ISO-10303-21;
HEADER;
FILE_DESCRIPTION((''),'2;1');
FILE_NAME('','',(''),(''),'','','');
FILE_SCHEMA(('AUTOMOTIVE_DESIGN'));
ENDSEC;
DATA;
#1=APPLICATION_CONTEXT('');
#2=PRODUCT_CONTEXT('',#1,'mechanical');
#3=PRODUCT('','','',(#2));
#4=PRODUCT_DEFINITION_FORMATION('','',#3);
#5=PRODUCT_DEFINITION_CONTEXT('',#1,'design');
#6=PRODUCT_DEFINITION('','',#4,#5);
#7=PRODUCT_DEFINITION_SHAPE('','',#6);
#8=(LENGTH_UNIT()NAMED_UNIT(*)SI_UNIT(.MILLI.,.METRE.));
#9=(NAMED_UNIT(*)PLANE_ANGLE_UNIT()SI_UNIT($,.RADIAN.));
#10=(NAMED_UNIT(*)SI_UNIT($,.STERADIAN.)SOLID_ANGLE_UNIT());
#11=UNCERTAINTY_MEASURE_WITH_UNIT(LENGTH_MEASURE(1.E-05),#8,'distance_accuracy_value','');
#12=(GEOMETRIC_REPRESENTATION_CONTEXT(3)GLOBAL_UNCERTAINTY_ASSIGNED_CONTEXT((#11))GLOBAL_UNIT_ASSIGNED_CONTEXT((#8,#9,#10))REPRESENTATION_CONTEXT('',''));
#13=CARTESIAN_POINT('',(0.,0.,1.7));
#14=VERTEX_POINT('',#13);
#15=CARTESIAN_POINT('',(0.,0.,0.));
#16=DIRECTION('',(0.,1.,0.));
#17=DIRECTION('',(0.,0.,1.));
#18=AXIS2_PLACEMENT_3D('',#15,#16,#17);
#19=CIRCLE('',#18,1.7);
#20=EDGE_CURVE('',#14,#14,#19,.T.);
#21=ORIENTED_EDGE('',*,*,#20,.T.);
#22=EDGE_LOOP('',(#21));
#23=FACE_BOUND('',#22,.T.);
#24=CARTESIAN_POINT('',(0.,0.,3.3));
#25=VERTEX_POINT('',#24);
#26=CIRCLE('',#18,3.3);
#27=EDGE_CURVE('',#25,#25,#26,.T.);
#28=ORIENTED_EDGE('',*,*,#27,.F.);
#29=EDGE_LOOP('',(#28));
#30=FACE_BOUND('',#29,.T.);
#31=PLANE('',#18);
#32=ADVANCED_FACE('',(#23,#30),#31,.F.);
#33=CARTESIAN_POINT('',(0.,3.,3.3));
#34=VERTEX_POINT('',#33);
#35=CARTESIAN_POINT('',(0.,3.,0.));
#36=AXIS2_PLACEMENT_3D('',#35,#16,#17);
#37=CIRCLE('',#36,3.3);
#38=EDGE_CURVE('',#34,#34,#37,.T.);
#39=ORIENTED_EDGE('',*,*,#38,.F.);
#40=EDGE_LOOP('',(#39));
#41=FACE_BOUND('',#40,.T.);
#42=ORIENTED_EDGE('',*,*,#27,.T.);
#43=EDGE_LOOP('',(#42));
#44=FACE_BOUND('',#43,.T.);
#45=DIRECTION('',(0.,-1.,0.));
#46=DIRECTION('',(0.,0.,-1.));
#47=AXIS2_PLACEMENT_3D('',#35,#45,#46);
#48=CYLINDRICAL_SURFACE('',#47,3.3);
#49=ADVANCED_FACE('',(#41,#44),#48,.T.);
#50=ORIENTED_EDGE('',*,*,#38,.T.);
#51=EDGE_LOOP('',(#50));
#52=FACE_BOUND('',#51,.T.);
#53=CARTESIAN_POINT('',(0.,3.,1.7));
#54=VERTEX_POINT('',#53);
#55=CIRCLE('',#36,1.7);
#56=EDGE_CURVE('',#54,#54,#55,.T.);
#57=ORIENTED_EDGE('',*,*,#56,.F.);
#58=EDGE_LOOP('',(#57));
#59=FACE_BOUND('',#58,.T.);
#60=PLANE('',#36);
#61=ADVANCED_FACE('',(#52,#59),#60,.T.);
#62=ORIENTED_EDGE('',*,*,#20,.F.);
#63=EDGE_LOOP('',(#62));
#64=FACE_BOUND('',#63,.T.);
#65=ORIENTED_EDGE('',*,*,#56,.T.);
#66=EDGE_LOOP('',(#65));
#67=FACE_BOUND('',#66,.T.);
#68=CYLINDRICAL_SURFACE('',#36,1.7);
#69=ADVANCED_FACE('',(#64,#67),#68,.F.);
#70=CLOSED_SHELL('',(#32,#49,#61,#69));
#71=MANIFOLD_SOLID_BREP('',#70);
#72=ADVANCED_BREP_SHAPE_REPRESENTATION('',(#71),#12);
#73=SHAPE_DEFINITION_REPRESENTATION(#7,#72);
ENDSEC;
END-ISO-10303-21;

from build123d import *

# Parameters (mm, degrees)
SKETCH1_R            = 3.3
BOSS_EXTRUDE1_DEPTH  = 3
M3_CLEARANCE_HOLE1_D = 3.4


with BuildPart() as part:
    # Sketch1 → Boss-Extrude1 (new body)
    with BuildSketch(Plane(origin=(0, 0, 0), x_dir=(1, 0, 0), z_dir=(0, 1, 0))):
        with Locations(Location((0, 0, 0), (0, 0, 270))):
            Circle(SKETCH1_R)
    extrude(amount=BOSS_EXTRUDE1_DEPTH)

    # M3 Clearance Hole1 (through all)
    with Locations(Plane(origin=(0, 3, 0), x_dir=(1, 0, 0), z_dir=(0, 1, 0))):
        with Locations((0, 0)):
            Hole(M3_CLEARANCE_HOLE1_D / 2)


solid = part.part
